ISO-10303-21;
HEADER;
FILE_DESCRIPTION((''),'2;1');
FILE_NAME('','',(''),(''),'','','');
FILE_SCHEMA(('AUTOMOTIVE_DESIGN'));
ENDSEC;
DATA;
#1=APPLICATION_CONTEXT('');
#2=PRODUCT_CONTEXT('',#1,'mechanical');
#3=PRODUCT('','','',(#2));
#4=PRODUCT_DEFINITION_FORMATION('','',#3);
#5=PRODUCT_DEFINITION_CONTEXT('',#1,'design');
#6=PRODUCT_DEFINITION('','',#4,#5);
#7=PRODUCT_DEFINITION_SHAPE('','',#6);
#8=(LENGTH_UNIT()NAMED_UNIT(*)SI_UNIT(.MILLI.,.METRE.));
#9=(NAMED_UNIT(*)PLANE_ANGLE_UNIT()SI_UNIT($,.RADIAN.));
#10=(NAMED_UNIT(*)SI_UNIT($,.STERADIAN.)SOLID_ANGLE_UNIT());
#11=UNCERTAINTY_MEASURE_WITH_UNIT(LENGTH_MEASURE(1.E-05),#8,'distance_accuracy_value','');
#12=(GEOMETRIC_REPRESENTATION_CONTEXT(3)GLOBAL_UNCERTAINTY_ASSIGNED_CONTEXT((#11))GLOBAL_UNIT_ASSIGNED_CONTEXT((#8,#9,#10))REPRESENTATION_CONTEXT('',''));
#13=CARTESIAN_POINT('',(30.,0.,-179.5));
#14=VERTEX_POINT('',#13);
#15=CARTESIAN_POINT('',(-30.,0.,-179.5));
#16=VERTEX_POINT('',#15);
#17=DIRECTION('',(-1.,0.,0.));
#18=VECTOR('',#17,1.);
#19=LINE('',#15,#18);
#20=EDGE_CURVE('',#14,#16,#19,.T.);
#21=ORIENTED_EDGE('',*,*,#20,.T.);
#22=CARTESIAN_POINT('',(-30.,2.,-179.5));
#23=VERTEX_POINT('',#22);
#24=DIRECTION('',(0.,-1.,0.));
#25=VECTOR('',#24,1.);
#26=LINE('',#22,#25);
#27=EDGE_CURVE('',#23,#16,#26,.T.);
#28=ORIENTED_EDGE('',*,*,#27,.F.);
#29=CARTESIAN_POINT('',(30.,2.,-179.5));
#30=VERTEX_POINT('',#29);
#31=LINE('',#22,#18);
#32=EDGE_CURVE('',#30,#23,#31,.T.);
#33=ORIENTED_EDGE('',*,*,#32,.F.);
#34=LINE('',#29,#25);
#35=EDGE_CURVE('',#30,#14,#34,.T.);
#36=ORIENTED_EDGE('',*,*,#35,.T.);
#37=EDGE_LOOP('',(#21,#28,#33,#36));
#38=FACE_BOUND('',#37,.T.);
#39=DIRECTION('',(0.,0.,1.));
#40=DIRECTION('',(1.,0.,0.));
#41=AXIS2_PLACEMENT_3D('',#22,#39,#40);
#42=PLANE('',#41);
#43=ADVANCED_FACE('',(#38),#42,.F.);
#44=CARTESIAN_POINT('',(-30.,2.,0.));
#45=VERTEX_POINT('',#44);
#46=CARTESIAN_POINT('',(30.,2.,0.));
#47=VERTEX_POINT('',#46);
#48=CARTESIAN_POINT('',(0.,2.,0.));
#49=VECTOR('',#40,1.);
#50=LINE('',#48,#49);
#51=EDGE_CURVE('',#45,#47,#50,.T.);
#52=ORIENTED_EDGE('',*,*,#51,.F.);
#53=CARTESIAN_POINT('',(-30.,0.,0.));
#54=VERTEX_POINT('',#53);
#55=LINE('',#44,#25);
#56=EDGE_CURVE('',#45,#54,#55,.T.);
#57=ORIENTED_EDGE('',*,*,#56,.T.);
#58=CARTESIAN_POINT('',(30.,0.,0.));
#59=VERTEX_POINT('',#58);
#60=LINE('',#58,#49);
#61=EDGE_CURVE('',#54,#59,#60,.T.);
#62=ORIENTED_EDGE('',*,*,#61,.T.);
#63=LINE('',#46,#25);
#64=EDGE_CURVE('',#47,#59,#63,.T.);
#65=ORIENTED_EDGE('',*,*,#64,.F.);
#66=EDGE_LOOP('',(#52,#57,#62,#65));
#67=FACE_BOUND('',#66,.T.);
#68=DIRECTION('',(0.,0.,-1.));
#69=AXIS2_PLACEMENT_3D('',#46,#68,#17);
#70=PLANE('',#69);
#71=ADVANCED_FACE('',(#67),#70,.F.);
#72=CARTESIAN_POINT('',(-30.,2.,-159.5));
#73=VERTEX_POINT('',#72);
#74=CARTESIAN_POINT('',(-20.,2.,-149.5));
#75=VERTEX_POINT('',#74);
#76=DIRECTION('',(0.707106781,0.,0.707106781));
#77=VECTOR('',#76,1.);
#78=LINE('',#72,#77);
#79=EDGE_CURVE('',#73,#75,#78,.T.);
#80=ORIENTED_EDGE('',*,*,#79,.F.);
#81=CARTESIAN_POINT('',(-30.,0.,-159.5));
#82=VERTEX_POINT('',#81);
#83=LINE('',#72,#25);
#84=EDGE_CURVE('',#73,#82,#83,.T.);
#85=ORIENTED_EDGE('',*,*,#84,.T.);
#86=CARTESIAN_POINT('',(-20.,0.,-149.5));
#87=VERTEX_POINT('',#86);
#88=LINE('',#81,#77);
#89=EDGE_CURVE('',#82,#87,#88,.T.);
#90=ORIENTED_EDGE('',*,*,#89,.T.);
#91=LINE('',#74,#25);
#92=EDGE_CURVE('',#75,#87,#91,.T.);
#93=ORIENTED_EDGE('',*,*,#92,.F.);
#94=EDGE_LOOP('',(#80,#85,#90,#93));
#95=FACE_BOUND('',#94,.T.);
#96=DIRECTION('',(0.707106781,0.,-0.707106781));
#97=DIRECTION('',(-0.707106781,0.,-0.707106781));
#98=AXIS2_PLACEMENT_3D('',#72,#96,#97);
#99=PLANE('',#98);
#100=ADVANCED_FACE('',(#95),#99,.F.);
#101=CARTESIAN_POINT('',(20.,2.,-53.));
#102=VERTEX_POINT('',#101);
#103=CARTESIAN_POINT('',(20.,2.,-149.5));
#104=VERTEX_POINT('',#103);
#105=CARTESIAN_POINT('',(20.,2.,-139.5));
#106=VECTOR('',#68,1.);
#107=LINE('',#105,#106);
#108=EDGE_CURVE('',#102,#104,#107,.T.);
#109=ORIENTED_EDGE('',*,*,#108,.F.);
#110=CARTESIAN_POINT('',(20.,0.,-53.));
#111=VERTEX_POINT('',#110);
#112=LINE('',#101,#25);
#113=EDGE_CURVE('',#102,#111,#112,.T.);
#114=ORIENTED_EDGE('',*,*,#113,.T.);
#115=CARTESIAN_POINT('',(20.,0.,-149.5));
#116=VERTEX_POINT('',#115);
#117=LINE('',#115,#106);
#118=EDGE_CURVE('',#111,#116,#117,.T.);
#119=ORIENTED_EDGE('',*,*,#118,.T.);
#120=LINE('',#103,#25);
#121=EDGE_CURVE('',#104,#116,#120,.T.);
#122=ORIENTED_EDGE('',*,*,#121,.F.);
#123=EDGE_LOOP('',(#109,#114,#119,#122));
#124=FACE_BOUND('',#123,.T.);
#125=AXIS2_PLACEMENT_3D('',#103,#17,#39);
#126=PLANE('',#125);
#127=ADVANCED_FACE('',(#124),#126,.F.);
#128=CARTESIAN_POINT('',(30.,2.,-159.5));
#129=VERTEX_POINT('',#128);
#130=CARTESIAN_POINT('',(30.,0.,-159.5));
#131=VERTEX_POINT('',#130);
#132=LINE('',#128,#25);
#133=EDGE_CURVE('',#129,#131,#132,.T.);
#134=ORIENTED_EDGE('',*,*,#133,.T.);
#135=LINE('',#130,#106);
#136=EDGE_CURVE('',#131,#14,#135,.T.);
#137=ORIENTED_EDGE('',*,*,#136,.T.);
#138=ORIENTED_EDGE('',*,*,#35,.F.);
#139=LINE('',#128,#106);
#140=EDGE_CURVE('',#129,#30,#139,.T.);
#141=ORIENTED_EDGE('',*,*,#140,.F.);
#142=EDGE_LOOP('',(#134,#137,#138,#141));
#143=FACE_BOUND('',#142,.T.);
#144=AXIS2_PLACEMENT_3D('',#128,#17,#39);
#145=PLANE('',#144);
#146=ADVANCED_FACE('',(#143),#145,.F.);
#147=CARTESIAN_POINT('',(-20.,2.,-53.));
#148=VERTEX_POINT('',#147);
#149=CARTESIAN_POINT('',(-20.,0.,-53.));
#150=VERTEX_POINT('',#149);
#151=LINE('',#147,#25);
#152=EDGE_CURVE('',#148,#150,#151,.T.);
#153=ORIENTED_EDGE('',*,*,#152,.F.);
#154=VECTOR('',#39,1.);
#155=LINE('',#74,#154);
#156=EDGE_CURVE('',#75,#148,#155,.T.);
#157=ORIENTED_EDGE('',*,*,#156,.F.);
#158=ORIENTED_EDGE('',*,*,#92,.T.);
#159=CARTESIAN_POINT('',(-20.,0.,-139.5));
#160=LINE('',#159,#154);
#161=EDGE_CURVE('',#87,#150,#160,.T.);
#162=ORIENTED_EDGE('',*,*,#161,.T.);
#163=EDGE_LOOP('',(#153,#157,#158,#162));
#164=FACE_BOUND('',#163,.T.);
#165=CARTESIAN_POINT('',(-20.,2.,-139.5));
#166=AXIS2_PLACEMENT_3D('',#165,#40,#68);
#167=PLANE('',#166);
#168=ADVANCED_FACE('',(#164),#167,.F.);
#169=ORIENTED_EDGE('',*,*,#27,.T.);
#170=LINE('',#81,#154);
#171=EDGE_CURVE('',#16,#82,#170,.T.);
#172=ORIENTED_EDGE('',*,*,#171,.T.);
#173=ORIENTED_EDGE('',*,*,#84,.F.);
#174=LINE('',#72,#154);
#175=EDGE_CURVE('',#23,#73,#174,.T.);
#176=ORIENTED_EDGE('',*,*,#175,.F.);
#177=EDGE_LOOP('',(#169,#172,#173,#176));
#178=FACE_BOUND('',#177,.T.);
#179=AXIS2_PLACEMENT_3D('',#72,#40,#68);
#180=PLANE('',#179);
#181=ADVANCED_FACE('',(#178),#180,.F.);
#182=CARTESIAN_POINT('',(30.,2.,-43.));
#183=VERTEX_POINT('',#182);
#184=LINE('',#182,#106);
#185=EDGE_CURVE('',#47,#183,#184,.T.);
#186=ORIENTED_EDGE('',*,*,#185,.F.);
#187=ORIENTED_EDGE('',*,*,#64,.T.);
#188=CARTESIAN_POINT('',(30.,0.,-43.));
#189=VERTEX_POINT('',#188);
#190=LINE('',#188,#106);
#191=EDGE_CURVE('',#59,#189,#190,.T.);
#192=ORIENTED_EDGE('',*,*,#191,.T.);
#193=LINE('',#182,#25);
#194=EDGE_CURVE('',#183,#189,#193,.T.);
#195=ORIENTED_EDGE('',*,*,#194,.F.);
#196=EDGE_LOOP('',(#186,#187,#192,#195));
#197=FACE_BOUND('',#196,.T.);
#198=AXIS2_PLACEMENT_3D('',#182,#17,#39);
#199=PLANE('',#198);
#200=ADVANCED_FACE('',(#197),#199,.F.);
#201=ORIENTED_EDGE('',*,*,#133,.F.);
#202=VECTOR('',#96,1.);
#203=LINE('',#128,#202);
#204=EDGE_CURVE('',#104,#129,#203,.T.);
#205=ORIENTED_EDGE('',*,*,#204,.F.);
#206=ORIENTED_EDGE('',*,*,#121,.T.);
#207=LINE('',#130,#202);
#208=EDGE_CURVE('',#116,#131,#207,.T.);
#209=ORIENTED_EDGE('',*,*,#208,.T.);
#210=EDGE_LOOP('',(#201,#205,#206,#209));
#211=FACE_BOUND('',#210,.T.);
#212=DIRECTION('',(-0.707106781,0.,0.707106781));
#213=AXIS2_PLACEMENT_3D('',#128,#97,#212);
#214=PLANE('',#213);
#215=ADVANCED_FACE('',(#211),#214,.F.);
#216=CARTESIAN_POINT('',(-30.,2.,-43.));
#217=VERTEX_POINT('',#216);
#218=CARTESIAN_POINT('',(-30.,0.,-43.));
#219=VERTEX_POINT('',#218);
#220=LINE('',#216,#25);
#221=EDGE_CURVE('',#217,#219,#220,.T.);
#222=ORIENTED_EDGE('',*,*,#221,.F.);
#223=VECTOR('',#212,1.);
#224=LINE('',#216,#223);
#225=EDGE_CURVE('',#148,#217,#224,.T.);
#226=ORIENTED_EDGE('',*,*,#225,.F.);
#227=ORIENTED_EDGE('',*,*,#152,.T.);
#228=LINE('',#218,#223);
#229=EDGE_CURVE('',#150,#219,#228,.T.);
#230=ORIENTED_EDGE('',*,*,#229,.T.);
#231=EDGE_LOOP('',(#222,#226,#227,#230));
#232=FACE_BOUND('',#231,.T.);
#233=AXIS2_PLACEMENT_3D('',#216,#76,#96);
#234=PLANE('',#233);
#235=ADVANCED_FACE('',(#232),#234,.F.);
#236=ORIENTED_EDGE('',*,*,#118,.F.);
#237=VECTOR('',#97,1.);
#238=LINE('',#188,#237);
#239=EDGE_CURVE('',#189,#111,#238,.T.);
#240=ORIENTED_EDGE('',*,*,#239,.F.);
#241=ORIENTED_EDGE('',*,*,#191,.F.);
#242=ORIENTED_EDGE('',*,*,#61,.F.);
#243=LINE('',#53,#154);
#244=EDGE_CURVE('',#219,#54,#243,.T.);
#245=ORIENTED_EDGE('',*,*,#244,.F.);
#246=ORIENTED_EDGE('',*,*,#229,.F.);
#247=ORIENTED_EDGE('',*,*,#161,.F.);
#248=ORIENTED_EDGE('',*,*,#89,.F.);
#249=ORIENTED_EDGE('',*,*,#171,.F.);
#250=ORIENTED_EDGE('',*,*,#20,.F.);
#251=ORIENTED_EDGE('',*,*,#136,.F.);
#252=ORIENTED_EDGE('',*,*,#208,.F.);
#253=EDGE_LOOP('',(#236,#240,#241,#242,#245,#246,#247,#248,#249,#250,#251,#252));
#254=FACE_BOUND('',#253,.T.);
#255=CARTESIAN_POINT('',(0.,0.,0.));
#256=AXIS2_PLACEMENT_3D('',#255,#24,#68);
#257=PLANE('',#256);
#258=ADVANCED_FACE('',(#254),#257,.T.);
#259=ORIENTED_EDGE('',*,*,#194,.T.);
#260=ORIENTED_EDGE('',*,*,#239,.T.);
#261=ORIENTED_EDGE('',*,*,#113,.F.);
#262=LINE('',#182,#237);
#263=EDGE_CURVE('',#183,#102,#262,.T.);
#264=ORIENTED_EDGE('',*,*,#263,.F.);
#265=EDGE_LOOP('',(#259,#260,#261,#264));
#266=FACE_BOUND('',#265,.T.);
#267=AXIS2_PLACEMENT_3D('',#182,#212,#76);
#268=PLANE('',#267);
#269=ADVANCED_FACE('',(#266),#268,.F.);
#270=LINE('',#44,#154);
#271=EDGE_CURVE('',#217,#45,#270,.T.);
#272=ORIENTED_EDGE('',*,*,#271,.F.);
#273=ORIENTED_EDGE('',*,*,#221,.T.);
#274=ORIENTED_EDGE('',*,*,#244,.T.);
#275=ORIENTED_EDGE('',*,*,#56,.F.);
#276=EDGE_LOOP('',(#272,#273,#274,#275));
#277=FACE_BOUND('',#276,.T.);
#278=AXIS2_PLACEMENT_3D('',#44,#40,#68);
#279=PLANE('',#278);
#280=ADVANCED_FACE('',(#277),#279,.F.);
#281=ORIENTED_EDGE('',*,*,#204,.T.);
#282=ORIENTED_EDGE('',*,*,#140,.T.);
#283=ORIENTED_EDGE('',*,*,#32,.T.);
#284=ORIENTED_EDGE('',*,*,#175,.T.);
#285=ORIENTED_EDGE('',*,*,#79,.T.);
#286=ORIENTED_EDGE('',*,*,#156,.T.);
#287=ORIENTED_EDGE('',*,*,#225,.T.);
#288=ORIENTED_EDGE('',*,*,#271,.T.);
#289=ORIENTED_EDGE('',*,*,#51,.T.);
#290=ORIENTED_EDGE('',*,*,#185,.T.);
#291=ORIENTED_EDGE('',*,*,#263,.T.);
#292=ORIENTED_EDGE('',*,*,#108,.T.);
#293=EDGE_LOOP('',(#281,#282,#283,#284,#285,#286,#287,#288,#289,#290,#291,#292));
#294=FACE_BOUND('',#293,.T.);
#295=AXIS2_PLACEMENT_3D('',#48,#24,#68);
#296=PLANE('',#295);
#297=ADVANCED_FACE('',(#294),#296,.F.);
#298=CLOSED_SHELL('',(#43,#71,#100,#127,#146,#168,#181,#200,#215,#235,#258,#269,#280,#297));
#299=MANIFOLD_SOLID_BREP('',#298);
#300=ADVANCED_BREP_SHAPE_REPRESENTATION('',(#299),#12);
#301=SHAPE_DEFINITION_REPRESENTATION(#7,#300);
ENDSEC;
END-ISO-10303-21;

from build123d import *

# Parameters (mm, degrees)
EXTRUDE_1_DEPTH = 2


with BuildPart() as part:
    # 草图1 → 凸台-拉伸1 (new body)
    with BuildSketch(Plane(origin=(0, 0, 0), x_dir=(1, 0, 0), z_dir=(0, 1, 0))):
        Polygon((30, 159.5), (30, 179.5), (-30, 179.5), (-30, 159.5), (-20, 149.5), (-20, 139.5), (-20, 53), (-30, 43), (-30, 0), (0, 0), (30, 0), (30, 43), (20, 53), (20, 139.5), (20, 149.5), align=None)
    extrude(amount=EXTRUDE_1_DEPTH)


solid = part.part
